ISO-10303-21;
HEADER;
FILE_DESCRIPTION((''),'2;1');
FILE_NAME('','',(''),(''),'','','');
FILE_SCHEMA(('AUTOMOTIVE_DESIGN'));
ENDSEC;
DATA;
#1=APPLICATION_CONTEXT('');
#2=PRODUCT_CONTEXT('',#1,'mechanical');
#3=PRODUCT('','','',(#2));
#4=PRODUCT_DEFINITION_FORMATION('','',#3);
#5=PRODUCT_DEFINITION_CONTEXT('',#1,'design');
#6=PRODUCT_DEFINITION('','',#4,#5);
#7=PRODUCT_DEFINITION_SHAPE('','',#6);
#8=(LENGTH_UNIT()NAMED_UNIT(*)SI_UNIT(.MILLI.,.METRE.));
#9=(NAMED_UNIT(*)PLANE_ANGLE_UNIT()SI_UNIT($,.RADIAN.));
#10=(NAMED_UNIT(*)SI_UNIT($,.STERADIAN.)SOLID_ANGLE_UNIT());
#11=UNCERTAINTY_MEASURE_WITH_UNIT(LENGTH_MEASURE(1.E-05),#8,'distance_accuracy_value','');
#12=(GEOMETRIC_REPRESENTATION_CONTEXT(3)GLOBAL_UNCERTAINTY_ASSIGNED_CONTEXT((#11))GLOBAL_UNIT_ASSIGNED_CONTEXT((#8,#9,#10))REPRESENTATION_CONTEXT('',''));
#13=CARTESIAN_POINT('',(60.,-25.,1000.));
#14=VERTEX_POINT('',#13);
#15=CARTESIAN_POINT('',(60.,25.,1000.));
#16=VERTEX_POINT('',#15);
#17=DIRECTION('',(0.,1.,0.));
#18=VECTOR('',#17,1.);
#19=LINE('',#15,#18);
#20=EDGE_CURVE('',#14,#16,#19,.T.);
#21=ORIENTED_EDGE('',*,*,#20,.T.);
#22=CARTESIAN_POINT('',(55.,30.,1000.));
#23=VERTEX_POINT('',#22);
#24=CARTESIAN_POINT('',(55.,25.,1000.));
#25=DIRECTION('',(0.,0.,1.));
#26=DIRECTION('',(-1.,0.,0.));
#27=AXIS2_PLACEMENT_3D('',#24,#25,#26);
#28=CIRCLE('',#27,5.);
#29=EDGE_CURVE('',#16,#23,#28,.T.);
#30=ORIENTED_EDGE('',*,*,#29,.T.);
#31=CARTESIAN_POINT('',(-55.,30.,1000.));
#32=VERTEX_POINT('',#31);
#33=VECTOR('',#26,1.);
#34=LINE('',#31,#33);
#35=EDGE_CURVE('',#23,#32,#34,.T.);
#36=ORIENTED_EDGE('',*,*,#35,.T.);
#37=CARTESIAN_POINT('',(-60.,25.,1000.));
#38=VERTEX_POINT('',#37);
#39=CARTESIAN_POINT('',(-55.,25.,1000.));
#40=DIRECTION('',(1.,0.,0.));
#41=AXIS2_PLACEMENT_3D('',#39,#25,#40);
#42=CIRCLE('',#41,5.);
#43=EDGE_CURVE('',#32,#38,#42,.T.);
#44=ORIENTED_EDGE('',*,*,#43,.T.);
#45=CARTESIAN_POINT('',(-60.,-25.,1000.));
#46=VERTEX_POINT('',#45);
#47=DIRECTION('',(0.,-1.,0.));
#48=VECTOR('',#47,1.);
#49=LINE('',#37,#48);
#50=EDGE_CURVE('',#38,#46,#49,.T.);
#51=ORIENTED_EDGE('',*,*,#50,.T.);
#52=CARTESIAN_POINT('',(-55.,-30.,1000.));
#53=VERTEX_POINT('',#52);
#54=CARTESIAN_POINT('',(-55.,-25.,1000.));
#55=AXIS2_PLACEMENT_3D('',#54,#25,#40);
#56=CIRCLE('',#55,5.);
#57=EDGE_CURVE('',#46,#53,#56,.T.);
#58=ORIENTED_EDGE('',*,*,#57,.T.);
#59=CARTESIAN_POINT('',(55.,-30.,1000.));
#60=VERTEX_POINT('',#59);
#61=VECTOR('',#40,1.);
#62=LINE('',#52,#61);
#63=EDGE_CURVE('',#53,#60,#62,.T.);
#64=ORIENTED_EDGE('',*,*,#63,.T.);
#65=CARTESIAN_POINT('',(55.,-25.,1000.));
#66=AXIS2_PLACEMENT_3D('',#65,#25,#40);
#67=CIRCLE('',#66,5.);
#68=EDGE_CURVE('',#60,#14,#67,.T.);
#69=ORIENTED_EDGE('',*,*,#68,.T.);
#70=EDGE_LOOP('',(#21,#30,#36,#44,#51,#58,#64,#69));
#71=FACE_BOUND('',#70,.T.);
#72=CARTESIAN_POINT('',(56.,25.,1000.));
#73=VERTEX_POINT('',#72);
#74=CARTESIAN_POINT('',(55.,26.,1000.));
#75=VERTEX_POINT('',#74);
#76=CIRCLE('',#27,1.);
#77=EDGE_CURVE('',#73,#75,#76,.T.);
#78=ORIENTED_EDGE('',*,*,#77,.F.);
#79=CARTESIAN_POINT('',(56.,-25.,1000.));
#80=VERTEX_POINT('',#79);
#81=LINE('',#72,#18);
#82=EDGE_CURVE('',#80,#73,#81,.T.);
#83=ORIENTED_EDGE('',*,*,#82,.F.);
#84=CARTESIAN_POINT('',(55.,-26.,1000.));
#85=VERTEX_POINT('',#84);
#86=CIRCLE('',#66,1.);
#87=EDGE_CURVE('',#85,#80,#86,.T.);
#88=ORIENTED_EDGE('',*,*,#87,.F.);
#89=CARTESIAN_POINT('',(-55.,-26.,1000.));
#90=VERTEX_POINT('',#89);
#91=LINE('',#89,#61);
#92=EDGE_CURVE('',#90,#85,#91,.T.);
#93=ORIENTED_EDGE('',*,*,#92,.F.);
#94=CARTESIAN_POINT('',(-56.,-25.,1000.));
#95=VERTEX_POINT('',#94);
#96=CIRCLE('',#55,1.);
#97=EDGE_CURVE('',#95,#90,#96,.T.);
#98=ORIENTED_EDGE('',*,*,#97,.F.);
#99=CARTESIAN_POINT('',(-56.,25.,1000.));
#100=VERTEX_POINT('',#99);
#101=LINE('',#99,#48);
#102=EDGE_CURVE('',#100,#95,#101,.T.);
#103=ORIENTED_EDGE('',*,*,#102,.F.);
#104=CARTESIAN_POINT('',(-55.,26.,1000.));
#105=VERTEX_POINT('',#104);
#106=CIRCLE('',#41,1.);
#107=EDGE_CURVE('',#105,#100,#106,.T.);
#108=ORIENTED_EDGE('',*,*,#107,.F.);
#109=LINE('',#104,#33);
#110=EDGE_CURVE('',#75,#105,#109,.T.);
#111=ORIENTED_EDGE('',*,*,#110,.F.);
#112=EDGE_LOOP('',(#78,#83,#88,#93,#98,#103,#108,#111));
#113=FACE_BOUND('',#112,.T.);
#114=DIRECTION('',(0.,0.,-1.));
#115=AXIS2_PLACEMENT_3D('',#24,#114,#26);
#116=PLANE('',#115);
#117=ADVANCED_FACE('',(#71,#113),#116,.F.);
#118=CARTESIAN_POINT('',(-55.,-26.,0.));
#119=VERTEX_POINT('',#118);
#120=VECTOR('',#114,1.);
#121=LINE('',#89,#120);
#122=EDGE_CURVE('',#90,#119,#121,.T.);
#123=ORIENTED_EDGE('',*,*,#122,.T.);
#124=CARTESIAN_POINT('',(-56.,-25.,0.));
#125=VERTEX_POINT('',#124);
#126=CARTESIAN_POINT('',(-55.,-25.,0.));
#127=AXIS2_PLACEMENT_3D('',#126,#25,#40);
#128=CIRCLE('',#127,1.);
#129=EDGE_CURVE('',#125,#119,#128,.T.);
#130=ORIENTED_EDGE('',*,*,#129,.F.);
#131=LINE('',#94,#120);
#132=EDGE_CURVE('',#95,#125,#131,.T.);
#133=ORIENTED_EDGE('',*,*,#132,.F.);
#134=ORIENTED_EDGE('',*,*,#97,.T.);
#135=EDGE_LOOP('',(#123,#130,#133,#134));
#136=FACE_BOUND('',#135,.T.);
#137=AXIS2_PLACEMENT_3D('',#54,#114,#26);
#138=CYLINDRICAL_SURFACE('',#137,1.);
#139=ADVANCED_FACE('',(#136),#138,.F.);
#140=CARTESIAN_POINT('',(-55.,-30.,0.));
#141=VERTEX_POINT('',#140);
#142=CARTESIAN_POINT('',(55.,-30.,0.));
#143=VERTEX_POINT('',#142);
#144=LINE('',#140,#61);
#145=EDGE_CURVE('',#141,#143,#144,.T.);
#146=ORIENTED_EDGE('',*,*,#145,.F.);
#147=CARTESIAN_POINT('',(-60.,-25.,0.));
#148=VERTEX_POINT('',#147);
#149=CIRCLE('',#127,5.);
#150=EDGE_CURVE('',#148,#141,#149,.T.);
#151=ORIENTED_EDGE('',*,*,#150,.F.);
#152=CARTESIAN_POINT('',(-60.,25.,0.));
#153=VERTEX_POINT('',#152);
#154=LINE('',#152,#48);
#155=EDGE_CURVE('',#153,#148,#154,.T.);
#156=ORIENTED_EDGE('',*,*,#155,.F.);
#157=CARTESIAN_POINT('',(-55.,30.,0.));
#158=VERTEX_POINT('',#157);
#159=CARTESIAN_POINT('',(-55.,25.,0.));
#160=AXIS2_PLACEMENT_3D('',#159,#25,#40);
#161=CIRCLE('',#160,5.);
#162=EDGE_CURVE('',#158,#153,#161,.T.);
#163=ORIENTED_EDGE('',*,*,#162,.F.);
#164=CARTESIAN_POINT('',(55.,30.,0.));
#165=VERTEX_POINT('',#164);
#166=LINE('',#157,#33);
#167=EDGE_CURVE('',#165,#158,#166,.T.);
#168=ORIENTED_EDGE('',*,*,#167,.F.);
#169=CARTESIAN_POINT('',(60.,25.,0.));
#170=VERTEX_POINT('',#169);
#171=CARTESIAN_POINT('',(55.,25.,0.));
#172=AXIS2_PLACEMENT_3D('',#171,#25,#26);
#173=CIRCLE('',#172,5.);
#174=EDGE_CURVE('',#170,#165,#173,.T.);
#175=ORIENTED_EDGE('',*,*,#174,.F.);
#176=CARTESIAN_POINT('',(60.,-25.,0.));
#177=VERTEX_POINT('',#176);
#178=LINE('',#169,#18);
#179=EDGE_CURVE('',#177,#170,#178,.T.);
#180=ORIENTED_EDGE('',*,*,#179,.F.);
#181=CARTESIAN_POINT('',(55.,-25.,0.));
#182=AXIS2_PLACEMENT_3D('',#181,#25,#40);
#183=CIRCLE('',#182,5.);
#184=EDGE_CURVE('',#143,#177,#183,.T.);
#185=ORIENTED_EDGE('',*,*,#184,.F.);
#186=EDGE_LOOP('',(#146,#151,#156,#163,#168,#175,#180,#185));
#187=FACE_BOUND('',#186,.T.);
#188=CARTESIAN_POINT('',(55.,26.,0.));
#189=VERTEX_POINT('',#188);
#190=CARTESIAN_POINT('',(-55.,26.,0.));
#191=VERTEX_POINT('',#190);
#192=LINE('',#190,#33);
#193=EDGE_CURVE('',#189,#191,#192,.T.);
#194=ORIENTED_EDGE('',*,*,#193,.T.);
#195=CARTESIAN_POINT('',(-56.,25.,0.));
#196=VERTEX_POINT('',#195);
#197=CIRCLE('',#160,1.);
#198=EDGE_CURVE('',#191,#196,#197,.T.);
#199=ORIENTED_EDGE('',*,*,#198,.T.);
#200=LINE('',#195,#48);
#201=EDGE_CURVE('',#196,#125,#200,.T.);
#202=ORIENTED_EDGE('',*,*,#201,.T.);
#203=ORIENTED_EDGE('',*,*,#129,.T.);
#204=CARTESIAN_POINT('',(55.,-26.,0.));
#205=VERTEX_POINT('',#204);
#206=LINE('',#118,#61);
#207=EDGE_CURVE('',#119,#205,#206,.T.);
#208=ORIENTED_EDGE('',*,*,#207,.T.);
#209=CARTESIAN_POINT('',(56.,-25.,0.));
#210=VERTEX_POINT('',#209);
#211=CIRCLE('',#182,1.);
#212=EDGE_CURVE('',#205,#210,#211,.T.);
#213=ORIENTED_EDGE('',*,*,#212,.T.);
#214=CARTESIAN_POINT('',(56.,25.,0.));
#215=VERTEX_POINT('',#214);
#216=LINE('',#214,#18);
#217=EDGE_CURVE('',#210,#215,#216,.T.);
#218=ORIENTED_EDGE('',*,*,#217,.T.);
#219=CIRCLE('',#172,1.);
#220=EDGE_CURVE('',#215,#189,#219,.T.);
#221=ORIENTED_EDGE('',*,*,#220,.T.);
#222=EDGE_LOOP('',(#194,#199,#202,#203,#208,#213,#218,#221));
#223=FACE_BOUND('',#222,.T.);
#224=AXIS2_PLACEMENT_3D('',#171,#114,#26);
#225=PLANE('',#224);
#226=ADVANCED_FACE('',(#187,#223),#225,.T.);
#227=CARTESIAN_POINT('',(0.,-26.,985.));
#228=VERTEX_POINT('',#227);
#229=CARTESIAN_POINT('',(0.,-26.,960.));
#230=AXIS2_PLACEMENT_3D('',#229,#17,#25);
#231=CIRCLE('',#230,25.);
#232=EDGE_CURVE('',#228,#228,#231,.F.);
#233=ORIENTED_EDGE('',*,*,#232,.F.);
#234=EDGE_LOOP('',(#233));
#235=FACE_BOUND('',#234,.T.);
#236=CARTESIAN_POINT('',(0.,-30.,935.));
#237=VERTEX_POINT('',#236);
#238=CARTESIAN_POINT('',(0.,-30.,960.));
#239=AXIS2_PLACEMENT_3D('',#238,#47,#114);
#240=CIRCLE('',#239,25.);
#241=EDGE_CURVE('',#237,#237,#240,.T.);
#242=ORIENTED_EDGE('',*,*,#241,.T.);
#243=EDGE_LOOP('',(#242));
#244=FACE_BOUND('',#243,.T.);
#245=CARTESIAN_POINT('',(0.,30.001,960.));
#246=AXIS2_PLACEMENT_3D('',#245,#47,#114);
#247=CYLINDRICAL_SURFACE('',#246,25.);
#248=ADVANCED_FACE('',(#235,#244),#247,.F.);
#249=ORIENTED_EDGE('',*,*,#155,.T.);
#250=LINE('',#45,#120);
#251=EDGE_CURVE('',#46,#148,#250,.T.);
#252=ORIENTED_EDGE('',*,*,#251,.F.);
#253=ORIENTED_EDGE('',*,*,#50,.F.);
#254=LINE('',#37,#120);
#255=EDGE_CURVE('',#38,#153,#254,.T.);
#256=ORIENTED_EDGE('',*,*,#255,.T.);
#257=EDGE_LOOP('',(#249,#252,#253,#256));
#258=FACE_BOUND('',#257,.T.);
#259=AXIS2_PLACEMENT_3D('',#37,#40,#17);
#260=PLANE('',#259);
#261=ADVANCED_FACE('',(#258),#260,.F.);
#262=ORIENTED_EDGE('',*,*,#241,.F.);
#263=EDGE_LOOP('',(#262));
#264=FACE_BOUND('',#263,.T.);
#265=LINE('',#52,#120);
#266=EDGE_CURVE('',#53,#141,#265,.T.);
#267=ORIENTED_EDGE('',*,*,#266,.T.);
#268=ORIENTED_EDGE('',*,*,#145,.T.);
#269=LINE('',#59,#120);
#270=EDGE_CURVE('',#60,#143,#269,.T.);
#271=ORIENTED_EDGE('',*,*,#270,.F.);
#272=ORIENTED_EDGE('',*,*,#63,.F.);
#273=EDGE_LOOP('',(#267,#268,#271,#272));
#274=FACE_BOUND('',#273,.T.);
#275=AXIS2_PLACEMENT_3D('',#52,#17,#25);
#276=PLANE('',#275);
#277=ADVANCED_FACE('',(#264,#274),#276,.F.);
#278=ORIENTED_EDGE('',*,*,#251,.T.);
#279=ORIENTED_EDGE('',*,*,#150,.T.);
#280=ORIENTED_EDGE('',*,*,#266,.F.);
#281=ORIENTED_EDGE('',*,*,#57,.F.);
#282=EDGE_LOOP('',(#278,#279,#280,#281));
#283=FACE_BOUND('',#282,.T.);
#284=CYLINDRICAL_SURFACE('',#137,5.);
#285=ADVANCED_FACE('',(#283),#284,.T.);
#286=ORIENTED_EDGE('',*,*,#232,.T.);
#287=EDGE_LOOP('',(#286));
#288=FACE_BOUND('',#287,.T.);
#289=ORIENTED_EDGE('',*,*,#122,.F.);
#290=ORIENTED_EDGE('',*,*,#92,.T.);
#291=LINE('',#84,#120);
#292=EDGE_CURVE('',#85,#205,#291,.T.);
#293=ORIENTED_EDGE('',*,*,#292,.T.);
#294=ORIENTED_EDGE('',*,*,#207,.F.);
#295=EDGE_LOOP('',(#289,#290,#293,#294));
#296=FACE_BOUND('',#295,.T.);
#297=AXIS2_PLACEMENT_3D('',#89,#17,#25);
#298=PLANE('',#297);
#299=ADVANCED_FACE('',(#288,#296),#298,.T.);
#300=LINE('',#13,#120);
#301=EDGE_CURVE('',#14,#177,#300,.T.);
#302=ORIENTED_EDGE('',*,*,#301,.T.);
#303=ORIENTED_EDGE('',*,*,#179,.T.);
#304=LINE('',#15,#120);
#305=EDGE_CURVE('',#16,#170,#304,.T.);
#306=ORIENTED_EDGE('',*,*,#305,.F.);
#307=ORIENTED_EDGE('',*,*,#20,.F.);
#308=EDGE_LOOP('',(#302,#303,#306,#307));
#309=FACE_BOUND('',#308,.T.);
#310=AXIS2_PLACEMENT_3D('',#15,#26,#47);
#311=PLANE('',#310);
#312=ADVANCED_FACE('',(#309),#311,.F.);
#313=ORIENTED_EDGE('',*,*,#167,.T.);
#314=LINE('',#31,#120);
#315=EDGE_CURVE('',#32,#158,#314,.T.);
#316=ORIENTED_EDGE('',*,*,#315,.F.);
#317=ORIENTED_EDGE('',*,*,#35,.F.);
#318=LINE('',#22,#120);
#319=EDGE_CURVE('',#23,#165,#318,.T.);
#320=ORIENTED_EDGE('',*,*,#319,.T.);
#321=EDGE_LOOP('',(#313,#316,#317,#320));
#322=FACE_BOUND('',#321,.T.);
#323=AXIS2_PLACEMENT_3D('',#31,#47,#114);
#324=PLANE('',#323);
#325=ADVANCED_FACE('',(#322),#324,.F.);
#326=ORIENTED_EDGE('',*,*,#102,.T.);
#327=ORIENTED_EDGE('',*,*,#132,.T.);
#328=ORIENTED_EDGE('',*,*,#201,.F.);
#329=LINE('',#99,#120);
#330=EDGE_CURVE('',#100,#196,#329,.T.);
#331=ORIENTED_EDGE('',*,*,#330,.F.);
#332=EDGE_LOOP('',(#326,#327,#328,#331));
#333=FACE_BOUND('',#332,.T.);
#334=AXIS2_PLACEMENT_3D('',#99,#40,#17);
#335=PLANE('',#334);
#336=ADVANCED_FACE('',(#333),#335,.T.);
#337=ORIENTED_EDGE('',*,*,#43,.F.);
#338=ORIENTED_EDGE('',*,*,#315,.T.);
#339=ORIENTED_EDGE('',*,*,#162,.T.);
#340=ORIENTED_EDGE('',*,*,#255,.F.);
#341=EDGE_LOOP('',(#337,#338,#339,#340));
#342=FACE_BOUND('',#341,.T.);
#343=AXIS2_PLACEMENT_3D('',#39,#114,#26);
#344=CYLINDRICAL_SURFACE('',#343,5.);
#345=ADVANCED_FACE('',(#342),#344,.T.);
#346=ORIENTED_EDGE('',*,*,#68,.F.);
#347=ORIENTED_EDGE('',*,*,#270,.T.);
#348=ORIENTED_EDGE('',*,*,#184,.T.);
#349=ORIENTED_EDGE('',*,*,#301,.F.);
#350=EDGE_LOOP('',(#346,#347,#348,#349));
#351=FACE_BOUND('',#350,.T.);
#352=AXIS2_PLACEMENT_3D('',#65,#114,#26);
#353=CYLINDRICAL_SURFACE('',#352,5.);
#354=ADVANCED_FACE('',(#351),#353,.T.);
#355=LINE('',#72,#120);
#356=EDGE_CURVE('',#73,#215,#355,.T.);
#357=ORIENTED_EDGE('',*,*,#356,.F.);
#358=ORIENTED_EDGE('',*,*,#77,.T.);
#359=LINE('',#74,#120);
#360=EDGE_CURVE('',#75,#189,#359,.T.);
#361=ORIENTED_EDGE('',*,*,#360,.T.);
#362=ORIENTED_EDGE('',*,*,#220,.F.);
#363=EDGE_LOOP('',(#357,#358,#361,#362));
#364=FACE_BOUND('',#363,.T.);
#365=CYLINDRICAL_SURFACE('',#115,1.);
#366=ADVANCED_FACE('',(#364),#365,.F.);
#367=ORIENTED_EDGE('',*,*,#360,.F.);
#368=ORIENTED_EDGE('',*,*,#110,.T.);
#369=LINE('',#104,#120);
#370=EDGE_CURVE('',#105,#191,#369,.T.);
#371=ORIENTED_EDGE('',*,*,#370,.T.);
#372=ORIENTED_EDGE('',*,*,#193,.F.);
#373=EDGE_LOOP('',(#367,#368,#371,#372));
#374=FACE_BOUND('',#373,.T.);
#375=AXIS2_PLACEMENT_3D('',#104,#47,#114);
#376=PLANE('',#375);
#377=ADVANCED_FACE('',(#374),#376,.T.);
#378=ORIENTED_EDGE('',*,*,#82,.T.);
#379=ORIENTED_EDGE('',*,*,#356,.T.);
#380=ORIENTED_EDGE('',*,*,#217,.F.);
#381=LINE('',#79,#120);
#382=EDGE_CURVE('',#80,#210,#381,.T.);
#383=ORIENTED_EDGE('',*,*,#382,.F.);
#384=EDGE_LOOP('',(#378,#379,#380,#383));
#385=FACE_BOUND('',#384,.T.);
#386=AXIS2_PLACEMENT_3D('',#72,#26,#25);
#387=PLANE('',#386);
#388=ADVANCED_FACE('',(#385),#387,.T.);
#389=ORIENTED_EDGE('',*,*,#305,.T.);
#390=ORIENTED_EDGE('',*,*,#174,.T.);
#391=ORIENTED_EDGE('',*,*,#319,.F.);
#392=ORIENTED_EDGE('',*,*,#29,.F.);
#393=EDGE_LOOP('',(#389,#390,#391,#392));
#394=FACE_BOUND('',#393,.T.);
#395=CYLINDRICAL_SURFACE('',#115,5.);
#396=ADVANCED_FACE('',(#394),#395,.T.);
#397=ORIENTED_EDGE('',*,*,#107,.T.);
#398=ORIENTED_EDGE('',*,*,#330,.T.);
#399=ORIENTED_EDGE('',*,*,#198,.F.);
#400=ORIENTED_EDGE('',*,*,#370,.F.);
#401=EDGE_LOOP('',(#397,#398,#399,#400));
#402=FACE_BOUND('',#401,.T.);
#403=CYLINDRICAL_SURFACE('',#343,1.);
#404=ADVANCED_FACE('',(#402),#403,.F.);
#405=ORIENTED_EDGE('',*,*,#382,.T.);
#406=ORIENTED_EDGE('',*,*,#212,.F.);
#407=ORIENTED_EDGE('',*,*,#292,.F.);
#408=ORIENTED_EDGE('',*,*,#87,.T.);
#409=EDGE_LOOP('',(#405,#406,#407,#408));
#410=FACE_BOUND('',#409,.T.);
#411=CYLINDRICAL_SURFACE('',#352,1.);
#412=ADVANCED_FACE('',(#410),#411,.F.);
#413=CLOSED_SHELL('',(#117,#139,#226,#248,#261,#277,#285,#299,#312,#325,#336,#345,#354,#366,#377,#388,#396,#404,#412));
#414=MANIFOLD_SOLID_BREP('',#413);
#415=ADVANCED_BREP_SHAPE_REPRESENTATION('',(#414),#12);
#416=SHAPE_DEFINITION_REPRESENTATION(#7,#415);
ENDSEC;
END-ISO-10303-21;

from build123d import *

# Parameters (mm, degrees)
EXTRUDE_1_DEPTH     = 1000
CUT_EXTRUDE_1_REACH = 1005.594
SKETCH_2_R          = 25


with BuildPart() as part:
    # 草图1 → 凸台-拉伸1 (new body)
    with BuildSketch(Plane.XY):
        with BuildLine():
            Line((-55, 30), (55, 30))
            ThreePointArc((55, 30), (58.535533906, 28.535533906), (60, 25))
            Line((60, 25), (60, -25))
            ThreePointArc((60, -25), (58.535533906, -28.535533906), (55, -30))
            Line((55, -30), (-55, -30))
            ThreePointArc((-55, -30), (-58.535533906, -28.535533906), (-60, -25))
            Line((-60, -25), (-60, 25))
            ThreePointArc((-60, 25), (-58.535533906, 28.535533906), (-55, 30))
        make_face()
        with BuildLine():
            Line((-55, 26), (55, 26))
            ThreePointArc((55, 26), (55.707106781, 25.707106781), (56, 25))
            Line((56, 25), (56, -25))
            ThreePointArc((56, -25), (55.707106781, -25.707106781), (55, -26))
            Line((55, -26), (-55, -26))
            ThreePointArc((-55, -26), (-55.707106781, -25.707106781), (-56, -25))
            Line((-56, -25), (-56, 25))
            ThreePointArc((-56, 25), (-55.707106781, 25.707106781), (-55, 26))
        make_face(mode=Mode.SUBTRACT)
    extrude(amount=EXTRUDE_1_DEPTH)

    # 草图2 → 切除-拉伸1 (cut, up to next)
    with BuildSketch(Plane.XZ.offset(30), mode=Mode.PRIVATE) as cut_extrude_1_sk1:
        with Locations(Location((0, 960, 0), (0, 0, 270))):
            Circle(SKETCH_2_R)
    cut_extrude_1_tool1 = extrude(cut_extrude_1_sk1.sketch, amount=-CUT_EXTRUDE_1_REACH, mode=Mode.PRIVATE) & part.part
    add(cut_extrude_1_tool1.solids().sort_by_distance((0, -30, 960))[0], mode=Mode.SUBTRACT)


solid = part.part
